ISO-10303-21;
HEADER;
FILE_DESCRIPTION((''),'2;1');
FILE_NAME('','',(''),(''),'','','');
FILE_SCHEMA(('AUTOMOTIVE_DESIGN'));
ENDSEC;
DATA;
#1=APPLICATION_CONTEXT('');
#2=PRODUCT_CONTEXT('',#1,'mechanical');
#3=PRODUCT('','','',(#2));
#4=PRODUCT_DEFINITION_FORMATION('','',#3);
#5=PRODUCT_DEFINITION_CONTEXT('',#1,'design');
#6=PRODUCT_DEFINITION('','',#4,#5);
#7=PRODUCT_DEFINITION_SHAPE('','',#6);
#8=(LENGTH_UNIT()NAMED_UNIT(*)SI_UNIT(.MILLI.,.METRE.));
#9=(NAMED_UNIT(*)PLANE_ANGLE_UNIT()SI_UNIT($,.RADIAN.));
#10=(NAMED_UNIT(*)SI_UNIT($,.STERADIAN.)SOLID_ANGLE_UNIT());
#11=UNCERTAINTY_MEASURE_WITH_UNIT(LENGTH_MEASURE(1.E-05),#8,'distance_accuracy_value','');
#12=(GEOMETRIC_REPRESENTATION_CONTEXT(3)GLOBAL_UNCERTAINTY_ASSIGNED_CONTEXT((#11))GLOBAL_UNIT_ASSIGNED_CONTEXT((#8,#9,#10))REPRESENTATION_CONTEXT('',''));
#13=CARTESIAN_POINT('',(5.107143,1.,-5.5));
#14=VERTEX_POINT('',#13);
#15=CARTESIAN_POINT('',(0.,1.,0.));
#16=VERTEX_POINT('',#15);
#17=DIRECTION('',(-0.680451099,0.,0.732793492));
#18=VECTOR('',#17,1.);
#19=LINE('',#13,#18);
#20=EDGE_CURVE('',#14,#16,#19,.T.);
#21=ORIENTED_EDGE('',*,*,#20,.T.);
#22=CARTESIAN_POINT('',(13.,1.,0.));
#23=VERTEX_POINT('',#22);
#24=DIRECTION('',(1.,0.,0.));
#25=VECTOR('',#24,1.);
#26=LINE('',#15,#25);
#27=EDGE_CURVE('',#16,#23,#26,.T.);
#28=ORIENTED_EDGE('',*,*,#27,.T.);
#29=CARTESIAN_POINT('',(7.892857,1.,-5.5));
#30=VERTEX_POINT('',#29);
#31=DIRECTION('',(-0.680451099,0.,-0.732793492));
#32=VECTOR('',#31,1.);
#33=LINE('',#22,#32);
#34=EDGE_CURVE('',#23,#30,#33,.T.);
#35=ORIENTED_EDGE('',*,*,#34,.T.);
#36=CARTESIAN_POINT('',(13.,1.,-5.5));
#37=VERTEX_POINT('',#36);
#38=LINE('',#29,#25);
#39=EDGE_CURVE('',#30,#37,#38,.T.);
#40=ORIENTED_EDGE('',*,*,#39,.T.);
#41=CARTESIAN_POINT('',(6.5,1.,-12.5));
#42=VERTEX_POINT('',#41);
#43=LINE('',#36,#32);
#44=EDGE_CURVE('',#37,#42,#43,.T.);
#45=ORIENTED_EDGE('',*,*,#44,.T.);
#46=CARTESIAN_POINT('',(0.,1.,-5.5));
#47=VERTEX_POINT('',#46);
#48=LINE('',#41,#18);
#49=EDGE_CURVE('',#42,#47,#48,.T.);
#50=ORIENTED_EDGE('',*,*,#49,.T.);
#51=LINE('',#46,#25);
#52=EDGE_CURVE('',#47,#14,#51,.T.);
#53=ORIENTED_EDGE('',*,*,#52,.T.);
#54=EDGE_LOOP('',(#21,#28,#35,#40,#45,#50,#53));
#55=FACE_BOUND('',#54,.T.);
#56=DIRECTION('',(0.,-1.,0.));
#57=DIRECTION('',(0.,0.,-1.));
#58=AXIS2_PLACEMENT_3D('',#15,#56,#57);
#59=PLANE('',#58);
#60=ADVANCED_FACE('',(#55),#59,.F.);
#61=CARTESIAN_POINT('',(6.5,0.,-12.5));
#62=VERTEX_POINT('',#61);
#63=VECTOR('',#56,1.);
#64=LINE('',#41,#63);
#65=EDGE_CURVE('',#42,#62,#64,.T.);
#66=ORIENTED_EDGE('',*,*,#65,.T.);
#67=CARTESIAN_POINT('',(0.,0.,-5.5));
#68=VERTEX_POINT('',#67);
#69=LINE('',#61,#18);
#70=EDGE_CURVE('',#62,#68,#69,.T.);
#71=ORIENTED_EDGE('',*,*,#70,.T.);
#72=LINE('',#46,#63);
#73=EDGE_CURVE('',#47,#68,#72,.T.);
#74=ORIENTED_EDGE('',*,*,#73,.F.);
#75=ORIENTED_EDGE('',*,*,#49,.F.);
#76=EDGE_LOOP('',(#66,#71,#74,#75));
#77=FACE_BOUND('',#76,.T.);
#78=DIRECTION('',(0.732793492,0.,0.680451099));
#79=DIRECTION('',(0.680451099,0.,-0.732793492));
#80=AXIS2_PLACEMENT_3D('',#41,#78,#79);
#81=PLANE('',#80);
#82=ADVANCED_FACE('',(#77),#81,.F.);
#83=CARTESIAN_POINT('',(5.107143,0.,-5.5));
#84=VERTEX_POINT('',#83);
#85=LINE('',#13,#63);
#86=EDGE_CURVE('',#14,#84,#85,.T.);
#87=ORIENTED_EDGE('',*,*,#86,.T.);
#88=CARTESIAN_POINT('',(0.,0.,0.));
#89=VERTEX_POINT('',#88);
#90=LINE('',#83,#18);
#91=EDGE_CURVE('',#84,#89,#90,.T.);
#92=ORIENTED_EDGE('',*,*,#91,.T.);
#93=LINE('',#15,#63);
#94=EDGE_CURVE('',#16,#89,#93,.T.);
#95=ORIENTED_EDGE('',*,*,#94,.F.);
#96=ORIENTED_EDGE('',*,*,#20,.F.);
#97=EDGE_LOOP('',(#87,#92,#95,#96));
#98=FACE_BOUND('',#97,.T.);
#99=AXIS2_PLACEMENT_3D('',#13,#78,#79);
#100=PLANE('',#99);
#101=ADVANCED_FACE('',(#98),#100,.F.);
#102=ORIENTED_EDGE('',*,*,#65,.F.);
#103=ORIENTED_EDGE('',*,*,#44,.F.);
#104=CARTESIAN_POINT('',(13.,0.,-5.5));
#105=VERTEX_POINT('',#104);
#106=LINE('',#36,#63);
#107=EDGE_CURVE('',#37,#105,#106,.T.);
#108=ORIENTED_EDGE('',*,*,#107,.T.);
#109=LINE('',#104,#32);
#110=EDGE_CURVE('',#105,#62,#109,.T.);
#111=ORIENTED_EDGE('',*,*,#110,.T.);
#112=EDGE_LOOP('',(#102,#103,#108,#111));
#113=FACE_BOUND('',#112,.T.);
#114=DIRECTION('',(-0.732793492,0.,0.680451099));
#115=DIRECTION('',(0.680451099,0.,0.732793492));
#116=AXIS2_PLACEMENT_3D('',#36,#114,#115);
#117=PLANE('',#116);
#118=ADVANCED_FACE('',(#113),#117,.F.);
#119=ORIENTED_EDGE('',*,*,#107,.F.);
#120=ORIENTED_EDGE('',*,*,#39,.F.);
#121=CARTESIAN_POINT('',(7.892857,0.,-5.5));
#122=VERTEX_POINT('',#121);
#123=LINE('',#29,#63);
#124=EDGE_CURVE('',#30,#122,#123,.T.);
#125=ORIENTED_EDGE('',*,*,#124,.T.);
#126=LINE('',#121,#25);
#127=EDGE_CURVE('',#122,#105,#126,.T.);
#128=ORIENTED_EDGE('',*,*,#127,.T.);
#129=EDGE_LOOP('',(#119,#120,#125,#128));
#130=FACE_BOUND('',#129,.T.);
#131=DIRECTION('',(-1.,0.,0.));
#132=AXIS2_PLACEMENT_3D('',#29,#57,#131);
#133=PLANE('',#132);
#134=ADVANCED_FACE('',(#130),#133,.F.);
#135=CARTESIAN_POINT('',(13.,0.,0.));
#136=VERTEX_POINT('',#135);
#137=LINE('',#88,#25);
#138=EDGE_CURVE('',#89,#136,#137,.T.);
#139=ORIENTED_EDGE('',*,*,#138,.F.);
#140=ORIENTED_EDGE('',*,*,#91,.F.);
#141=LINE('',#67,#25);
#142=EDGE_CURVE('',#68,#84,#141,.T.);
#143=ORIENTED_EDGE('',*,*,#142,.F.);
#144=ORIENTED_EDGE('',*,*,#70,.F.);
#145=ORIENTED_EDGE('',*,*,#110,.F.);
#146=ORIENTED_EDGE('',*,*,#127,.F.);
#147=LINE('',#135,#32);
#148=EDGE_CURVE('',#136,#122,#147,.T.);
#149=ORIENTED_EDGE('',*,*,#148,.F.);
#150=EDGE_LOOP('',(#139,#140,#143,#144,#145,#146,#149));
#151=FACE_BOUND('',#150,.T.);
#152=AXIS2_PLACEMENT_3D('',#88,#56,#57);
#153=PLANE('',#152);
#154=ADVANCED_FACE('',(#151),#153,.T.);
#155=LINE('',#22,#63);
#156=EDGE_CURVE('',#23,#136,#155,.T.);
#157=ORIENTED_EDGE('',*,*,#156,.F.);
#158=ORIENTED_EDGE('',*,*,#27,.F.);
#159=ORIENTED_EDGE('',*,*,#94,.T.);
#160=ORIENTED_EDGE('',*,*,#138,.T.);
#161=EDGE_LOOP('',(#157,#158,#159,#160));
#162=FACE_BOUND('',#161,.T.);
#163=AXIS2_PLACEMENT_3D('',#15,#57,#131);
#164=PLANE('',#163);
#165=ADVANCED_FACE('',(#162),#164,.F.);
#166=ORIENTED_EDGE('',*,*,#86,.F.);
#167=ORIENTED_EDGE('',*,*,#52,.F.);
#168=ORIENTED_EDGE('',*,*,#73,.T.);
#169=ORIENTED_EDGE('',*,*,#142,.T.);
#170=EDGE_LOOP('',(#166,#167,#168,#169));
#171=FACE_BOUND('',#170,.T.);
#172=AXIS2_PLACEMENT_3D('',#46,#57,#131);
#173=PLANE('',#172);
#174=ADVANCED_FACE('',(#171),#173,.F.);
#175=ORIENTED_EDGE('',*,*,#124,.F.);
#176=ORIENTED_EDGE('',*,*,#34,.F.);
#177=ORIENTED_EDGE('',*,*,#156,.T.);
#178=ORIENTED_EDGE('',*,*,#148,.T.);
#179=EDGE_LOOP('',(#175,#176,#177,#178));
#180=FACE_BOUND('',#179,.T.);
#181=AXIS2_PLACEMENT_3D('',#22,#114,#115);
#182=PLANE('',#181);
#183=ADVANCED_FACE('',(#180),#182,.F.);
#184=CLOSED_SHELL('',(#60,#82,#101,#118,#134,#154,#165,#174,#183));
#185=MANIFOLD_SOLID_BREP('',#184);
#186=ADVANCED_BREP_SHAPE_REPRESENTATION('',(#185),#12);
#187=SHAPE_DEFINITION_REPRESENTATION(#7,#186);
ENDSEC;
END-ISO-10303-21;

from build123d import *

# Parameters (mm, degrees)
BOSS_EXTRUDE2_DEPTH = 1


with BuildPart() as part:
    # Sketch2 → Boss-Extrude2 (new body)
    with BuildSketch(Plane(origin=(0, 0, 0), x_dir=(1, 0, 0), z_dir=(0, 1, 0))):
        Polygon((0, 0), (13, 0), (7.892857143, 5.5), (13, 5.5), (6.5, 12.5), (0, 5.5), (5.107142857, 5.5), align=None)
    extrude(amount=BOSS_EXTRUDE2_DEPTH)


solid = part.part
